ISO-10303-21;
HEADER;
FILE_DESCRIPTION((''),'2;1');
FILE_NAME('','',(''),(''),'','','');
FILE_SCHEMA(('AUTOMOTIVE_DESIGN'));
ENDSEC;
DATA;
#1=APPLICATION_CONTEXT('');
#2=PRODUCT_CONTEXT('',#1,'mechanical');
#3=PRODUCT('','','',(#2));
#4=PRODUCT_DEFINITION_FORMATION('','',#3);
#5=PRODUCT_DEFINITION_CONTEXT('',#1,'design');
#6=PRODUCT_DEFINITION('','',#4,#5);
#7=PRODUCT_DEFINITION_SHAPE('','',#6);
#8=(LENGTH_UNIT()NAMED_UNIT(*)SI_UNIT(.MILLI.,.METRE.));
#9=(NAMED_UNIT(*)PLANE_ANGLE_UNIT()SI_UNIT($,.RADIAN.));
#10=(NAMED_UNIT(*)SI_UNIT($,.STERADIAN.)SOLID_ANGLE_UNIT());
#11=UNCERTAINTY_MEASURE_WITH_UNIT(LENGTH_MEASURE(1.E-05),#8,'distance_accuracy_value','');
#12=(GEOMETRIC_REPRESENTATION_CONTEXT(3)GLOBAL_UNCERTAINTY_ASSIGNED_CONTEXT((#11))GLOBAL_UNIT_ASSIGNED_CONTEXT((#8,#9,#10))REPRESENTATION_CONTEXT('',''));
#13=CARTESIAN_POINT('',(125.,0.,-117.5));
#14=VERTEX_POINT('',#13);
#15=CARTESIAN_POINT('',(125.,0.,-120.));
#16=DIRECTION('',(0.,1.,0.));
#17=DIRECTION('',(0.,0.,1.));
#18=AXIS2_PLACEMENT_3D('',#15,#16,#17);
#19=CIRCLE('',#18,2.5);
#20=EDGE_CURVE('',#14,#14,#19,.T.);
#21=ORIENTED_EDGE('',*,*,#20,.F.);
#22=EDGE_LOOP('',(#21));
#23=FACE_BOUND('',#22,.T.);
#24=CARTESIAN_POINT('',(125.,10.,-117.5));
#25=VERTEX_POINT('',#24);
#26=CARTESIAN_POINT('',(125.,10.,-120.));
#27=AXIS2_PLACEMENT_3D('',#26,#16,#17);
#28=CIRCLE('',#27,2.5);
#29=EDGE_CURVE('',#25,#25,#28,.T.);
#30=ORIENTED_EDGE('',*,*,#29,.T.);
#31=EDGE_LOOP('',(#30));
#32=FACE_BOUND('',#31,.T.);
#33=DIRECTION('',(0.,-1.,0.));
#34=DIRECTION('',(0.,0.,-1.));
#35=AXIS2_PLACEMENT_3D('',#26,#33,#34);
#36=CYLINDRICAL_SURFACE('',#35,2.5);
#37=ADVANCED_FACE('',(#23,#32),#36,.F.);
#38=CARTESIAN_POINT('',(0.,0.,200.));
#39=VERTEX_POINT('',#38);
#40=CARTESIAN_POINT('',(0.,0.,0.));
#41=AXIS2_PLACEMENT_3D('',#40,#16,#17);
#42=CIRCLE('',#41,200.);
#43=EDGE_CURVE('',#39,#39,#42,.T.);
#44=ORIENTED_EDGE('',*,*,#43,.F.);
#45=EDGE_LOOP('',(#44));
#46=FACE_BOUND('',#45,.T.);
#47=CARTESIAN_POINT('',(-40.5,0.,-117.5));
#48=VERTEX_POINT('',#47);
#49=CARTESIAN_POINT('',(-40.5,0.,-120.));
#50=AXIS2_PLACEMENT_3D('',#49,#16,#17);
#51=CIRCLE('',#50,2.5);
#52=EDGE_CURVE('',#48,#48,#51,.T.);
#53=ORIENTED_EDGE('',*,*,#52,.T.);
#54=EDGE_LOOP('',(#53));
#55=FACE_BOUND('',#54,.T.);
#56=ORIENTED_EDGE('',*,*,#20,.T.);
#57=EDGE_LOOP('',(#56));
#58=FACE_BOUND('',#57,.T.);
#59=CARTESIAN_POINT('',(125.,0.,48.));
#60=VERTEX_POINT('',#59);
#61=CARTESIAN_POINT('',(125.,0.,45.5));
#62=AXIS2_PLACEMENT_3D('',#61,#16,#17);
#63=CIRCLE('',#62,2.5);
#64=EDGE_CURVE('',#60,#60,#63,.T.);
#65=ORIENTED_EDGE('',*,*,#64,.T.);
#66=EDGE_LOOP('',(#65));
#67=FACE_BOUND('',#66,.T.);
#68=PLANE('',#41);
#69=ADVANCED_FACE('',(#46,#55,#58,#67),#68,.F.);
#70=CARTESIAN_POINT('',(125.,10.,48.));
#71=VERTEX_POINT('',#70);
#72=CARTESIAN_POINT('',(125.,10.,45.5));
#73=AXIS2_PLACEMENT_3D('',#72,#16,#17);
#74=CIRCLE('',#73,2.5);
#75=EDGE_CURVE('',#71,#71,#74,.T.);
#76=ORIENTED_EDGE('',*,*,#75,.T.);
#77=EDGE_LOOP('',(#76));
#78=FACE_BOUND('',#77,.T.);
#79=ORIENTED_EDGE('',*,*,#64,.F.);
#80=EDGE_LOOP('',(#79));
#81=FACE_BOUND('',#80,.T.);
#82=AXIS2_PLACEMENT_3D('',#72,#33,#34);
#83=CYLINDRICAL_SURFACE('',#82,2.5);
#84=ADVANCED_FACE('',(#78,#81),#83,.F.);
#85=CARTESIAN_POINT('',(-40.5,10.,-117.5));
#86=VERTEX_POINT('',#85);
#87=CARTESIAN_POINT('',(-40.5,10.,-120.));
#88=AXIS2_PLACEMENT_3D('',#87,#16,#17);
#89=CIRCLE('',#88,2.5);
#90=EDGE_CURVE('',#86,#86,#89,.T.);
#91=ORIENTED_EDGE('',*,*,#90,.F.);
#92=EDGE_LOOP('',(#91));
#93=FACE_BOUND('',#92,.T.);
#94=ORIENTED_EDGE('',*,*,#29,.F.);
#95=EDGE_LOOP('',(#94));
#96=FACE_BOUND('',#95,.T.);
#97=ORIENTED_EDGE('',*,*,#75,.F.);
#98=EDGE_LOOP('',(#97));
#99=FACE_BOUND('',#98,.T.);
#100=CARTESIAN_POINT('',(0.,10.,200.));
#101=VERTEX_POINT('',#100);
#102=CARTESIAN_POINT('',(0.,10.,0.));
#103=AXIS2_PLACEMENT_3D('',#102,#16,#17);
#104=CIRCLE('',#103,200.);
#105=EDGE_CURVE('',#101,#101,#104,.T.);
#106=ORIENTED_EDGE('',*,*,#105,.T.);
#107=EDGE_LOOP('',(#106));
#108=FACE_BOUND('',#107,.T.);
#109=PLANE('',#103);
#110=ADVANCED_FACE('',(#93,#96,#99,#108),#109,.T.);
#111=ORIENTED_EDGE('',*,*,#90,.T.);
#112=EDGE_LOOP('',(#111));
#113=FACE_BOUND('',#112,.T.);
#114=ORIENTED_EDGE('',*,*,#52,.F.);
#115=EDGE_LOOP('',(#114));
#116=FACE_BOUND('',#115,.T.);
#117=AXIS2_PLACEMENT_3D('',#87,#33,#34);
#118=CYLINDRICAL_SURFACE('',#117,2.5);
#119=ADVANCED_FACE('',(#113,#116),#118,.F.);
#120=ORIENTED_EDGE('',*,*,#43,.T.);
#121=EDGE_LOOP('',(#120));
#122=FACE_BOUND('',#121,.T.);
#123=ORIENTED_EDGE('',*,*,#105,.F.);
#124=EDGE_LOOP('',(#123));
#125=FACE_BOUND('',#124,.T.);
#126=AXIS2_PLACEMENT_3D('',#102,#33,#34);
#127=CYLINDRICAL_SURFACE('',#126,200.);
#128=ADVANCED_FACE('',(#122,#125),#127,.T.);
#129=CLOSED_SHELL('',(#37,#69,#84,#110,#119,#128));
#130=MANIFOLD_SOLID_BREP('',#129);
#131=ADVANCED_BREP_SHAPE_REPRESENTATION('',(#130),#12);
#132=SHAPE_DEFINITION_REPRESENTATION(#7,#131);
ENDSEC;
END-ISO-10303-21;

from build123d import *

# Parameters (mm, degrees)
SKETCH1_R           = 200
SKETCH1_R_2         = 2.5
BOSS_EXTRUDE1_DEPTH = 10


with BuildPart() as part:
    # Sketch1 → Boss-Extrude1 (new body)
    with BuildSketch(Plane(origin=(0, 0, 0), x_dir=(1, 0, 0), z_dir=(0, 1, 0))):
        with Locations(Location((0, 0, 0), (0, 0, 270))):
            Circle(SKETCH1_R)
        with Locations(Location((125, 120, 0), (0, 0, 270))):
            Circle(SKETCH1_R_2, mode=Mode.SUBTRACT)
        with Locations(Location((-40.5, 120, 0), (0, 0, 270))):
            Circle(SKETCH1_R_2, mode=Mode.SUBTRACT)
        with Locations(Location((125, -45.5, 0), (0, 0, 270))):
            Circle(SKETCH1_R_2, mode=Mode.SUBTRACT)
    extrude(amount=BOSS_EXTRUDE1_DEPTH)


solid = part.part
